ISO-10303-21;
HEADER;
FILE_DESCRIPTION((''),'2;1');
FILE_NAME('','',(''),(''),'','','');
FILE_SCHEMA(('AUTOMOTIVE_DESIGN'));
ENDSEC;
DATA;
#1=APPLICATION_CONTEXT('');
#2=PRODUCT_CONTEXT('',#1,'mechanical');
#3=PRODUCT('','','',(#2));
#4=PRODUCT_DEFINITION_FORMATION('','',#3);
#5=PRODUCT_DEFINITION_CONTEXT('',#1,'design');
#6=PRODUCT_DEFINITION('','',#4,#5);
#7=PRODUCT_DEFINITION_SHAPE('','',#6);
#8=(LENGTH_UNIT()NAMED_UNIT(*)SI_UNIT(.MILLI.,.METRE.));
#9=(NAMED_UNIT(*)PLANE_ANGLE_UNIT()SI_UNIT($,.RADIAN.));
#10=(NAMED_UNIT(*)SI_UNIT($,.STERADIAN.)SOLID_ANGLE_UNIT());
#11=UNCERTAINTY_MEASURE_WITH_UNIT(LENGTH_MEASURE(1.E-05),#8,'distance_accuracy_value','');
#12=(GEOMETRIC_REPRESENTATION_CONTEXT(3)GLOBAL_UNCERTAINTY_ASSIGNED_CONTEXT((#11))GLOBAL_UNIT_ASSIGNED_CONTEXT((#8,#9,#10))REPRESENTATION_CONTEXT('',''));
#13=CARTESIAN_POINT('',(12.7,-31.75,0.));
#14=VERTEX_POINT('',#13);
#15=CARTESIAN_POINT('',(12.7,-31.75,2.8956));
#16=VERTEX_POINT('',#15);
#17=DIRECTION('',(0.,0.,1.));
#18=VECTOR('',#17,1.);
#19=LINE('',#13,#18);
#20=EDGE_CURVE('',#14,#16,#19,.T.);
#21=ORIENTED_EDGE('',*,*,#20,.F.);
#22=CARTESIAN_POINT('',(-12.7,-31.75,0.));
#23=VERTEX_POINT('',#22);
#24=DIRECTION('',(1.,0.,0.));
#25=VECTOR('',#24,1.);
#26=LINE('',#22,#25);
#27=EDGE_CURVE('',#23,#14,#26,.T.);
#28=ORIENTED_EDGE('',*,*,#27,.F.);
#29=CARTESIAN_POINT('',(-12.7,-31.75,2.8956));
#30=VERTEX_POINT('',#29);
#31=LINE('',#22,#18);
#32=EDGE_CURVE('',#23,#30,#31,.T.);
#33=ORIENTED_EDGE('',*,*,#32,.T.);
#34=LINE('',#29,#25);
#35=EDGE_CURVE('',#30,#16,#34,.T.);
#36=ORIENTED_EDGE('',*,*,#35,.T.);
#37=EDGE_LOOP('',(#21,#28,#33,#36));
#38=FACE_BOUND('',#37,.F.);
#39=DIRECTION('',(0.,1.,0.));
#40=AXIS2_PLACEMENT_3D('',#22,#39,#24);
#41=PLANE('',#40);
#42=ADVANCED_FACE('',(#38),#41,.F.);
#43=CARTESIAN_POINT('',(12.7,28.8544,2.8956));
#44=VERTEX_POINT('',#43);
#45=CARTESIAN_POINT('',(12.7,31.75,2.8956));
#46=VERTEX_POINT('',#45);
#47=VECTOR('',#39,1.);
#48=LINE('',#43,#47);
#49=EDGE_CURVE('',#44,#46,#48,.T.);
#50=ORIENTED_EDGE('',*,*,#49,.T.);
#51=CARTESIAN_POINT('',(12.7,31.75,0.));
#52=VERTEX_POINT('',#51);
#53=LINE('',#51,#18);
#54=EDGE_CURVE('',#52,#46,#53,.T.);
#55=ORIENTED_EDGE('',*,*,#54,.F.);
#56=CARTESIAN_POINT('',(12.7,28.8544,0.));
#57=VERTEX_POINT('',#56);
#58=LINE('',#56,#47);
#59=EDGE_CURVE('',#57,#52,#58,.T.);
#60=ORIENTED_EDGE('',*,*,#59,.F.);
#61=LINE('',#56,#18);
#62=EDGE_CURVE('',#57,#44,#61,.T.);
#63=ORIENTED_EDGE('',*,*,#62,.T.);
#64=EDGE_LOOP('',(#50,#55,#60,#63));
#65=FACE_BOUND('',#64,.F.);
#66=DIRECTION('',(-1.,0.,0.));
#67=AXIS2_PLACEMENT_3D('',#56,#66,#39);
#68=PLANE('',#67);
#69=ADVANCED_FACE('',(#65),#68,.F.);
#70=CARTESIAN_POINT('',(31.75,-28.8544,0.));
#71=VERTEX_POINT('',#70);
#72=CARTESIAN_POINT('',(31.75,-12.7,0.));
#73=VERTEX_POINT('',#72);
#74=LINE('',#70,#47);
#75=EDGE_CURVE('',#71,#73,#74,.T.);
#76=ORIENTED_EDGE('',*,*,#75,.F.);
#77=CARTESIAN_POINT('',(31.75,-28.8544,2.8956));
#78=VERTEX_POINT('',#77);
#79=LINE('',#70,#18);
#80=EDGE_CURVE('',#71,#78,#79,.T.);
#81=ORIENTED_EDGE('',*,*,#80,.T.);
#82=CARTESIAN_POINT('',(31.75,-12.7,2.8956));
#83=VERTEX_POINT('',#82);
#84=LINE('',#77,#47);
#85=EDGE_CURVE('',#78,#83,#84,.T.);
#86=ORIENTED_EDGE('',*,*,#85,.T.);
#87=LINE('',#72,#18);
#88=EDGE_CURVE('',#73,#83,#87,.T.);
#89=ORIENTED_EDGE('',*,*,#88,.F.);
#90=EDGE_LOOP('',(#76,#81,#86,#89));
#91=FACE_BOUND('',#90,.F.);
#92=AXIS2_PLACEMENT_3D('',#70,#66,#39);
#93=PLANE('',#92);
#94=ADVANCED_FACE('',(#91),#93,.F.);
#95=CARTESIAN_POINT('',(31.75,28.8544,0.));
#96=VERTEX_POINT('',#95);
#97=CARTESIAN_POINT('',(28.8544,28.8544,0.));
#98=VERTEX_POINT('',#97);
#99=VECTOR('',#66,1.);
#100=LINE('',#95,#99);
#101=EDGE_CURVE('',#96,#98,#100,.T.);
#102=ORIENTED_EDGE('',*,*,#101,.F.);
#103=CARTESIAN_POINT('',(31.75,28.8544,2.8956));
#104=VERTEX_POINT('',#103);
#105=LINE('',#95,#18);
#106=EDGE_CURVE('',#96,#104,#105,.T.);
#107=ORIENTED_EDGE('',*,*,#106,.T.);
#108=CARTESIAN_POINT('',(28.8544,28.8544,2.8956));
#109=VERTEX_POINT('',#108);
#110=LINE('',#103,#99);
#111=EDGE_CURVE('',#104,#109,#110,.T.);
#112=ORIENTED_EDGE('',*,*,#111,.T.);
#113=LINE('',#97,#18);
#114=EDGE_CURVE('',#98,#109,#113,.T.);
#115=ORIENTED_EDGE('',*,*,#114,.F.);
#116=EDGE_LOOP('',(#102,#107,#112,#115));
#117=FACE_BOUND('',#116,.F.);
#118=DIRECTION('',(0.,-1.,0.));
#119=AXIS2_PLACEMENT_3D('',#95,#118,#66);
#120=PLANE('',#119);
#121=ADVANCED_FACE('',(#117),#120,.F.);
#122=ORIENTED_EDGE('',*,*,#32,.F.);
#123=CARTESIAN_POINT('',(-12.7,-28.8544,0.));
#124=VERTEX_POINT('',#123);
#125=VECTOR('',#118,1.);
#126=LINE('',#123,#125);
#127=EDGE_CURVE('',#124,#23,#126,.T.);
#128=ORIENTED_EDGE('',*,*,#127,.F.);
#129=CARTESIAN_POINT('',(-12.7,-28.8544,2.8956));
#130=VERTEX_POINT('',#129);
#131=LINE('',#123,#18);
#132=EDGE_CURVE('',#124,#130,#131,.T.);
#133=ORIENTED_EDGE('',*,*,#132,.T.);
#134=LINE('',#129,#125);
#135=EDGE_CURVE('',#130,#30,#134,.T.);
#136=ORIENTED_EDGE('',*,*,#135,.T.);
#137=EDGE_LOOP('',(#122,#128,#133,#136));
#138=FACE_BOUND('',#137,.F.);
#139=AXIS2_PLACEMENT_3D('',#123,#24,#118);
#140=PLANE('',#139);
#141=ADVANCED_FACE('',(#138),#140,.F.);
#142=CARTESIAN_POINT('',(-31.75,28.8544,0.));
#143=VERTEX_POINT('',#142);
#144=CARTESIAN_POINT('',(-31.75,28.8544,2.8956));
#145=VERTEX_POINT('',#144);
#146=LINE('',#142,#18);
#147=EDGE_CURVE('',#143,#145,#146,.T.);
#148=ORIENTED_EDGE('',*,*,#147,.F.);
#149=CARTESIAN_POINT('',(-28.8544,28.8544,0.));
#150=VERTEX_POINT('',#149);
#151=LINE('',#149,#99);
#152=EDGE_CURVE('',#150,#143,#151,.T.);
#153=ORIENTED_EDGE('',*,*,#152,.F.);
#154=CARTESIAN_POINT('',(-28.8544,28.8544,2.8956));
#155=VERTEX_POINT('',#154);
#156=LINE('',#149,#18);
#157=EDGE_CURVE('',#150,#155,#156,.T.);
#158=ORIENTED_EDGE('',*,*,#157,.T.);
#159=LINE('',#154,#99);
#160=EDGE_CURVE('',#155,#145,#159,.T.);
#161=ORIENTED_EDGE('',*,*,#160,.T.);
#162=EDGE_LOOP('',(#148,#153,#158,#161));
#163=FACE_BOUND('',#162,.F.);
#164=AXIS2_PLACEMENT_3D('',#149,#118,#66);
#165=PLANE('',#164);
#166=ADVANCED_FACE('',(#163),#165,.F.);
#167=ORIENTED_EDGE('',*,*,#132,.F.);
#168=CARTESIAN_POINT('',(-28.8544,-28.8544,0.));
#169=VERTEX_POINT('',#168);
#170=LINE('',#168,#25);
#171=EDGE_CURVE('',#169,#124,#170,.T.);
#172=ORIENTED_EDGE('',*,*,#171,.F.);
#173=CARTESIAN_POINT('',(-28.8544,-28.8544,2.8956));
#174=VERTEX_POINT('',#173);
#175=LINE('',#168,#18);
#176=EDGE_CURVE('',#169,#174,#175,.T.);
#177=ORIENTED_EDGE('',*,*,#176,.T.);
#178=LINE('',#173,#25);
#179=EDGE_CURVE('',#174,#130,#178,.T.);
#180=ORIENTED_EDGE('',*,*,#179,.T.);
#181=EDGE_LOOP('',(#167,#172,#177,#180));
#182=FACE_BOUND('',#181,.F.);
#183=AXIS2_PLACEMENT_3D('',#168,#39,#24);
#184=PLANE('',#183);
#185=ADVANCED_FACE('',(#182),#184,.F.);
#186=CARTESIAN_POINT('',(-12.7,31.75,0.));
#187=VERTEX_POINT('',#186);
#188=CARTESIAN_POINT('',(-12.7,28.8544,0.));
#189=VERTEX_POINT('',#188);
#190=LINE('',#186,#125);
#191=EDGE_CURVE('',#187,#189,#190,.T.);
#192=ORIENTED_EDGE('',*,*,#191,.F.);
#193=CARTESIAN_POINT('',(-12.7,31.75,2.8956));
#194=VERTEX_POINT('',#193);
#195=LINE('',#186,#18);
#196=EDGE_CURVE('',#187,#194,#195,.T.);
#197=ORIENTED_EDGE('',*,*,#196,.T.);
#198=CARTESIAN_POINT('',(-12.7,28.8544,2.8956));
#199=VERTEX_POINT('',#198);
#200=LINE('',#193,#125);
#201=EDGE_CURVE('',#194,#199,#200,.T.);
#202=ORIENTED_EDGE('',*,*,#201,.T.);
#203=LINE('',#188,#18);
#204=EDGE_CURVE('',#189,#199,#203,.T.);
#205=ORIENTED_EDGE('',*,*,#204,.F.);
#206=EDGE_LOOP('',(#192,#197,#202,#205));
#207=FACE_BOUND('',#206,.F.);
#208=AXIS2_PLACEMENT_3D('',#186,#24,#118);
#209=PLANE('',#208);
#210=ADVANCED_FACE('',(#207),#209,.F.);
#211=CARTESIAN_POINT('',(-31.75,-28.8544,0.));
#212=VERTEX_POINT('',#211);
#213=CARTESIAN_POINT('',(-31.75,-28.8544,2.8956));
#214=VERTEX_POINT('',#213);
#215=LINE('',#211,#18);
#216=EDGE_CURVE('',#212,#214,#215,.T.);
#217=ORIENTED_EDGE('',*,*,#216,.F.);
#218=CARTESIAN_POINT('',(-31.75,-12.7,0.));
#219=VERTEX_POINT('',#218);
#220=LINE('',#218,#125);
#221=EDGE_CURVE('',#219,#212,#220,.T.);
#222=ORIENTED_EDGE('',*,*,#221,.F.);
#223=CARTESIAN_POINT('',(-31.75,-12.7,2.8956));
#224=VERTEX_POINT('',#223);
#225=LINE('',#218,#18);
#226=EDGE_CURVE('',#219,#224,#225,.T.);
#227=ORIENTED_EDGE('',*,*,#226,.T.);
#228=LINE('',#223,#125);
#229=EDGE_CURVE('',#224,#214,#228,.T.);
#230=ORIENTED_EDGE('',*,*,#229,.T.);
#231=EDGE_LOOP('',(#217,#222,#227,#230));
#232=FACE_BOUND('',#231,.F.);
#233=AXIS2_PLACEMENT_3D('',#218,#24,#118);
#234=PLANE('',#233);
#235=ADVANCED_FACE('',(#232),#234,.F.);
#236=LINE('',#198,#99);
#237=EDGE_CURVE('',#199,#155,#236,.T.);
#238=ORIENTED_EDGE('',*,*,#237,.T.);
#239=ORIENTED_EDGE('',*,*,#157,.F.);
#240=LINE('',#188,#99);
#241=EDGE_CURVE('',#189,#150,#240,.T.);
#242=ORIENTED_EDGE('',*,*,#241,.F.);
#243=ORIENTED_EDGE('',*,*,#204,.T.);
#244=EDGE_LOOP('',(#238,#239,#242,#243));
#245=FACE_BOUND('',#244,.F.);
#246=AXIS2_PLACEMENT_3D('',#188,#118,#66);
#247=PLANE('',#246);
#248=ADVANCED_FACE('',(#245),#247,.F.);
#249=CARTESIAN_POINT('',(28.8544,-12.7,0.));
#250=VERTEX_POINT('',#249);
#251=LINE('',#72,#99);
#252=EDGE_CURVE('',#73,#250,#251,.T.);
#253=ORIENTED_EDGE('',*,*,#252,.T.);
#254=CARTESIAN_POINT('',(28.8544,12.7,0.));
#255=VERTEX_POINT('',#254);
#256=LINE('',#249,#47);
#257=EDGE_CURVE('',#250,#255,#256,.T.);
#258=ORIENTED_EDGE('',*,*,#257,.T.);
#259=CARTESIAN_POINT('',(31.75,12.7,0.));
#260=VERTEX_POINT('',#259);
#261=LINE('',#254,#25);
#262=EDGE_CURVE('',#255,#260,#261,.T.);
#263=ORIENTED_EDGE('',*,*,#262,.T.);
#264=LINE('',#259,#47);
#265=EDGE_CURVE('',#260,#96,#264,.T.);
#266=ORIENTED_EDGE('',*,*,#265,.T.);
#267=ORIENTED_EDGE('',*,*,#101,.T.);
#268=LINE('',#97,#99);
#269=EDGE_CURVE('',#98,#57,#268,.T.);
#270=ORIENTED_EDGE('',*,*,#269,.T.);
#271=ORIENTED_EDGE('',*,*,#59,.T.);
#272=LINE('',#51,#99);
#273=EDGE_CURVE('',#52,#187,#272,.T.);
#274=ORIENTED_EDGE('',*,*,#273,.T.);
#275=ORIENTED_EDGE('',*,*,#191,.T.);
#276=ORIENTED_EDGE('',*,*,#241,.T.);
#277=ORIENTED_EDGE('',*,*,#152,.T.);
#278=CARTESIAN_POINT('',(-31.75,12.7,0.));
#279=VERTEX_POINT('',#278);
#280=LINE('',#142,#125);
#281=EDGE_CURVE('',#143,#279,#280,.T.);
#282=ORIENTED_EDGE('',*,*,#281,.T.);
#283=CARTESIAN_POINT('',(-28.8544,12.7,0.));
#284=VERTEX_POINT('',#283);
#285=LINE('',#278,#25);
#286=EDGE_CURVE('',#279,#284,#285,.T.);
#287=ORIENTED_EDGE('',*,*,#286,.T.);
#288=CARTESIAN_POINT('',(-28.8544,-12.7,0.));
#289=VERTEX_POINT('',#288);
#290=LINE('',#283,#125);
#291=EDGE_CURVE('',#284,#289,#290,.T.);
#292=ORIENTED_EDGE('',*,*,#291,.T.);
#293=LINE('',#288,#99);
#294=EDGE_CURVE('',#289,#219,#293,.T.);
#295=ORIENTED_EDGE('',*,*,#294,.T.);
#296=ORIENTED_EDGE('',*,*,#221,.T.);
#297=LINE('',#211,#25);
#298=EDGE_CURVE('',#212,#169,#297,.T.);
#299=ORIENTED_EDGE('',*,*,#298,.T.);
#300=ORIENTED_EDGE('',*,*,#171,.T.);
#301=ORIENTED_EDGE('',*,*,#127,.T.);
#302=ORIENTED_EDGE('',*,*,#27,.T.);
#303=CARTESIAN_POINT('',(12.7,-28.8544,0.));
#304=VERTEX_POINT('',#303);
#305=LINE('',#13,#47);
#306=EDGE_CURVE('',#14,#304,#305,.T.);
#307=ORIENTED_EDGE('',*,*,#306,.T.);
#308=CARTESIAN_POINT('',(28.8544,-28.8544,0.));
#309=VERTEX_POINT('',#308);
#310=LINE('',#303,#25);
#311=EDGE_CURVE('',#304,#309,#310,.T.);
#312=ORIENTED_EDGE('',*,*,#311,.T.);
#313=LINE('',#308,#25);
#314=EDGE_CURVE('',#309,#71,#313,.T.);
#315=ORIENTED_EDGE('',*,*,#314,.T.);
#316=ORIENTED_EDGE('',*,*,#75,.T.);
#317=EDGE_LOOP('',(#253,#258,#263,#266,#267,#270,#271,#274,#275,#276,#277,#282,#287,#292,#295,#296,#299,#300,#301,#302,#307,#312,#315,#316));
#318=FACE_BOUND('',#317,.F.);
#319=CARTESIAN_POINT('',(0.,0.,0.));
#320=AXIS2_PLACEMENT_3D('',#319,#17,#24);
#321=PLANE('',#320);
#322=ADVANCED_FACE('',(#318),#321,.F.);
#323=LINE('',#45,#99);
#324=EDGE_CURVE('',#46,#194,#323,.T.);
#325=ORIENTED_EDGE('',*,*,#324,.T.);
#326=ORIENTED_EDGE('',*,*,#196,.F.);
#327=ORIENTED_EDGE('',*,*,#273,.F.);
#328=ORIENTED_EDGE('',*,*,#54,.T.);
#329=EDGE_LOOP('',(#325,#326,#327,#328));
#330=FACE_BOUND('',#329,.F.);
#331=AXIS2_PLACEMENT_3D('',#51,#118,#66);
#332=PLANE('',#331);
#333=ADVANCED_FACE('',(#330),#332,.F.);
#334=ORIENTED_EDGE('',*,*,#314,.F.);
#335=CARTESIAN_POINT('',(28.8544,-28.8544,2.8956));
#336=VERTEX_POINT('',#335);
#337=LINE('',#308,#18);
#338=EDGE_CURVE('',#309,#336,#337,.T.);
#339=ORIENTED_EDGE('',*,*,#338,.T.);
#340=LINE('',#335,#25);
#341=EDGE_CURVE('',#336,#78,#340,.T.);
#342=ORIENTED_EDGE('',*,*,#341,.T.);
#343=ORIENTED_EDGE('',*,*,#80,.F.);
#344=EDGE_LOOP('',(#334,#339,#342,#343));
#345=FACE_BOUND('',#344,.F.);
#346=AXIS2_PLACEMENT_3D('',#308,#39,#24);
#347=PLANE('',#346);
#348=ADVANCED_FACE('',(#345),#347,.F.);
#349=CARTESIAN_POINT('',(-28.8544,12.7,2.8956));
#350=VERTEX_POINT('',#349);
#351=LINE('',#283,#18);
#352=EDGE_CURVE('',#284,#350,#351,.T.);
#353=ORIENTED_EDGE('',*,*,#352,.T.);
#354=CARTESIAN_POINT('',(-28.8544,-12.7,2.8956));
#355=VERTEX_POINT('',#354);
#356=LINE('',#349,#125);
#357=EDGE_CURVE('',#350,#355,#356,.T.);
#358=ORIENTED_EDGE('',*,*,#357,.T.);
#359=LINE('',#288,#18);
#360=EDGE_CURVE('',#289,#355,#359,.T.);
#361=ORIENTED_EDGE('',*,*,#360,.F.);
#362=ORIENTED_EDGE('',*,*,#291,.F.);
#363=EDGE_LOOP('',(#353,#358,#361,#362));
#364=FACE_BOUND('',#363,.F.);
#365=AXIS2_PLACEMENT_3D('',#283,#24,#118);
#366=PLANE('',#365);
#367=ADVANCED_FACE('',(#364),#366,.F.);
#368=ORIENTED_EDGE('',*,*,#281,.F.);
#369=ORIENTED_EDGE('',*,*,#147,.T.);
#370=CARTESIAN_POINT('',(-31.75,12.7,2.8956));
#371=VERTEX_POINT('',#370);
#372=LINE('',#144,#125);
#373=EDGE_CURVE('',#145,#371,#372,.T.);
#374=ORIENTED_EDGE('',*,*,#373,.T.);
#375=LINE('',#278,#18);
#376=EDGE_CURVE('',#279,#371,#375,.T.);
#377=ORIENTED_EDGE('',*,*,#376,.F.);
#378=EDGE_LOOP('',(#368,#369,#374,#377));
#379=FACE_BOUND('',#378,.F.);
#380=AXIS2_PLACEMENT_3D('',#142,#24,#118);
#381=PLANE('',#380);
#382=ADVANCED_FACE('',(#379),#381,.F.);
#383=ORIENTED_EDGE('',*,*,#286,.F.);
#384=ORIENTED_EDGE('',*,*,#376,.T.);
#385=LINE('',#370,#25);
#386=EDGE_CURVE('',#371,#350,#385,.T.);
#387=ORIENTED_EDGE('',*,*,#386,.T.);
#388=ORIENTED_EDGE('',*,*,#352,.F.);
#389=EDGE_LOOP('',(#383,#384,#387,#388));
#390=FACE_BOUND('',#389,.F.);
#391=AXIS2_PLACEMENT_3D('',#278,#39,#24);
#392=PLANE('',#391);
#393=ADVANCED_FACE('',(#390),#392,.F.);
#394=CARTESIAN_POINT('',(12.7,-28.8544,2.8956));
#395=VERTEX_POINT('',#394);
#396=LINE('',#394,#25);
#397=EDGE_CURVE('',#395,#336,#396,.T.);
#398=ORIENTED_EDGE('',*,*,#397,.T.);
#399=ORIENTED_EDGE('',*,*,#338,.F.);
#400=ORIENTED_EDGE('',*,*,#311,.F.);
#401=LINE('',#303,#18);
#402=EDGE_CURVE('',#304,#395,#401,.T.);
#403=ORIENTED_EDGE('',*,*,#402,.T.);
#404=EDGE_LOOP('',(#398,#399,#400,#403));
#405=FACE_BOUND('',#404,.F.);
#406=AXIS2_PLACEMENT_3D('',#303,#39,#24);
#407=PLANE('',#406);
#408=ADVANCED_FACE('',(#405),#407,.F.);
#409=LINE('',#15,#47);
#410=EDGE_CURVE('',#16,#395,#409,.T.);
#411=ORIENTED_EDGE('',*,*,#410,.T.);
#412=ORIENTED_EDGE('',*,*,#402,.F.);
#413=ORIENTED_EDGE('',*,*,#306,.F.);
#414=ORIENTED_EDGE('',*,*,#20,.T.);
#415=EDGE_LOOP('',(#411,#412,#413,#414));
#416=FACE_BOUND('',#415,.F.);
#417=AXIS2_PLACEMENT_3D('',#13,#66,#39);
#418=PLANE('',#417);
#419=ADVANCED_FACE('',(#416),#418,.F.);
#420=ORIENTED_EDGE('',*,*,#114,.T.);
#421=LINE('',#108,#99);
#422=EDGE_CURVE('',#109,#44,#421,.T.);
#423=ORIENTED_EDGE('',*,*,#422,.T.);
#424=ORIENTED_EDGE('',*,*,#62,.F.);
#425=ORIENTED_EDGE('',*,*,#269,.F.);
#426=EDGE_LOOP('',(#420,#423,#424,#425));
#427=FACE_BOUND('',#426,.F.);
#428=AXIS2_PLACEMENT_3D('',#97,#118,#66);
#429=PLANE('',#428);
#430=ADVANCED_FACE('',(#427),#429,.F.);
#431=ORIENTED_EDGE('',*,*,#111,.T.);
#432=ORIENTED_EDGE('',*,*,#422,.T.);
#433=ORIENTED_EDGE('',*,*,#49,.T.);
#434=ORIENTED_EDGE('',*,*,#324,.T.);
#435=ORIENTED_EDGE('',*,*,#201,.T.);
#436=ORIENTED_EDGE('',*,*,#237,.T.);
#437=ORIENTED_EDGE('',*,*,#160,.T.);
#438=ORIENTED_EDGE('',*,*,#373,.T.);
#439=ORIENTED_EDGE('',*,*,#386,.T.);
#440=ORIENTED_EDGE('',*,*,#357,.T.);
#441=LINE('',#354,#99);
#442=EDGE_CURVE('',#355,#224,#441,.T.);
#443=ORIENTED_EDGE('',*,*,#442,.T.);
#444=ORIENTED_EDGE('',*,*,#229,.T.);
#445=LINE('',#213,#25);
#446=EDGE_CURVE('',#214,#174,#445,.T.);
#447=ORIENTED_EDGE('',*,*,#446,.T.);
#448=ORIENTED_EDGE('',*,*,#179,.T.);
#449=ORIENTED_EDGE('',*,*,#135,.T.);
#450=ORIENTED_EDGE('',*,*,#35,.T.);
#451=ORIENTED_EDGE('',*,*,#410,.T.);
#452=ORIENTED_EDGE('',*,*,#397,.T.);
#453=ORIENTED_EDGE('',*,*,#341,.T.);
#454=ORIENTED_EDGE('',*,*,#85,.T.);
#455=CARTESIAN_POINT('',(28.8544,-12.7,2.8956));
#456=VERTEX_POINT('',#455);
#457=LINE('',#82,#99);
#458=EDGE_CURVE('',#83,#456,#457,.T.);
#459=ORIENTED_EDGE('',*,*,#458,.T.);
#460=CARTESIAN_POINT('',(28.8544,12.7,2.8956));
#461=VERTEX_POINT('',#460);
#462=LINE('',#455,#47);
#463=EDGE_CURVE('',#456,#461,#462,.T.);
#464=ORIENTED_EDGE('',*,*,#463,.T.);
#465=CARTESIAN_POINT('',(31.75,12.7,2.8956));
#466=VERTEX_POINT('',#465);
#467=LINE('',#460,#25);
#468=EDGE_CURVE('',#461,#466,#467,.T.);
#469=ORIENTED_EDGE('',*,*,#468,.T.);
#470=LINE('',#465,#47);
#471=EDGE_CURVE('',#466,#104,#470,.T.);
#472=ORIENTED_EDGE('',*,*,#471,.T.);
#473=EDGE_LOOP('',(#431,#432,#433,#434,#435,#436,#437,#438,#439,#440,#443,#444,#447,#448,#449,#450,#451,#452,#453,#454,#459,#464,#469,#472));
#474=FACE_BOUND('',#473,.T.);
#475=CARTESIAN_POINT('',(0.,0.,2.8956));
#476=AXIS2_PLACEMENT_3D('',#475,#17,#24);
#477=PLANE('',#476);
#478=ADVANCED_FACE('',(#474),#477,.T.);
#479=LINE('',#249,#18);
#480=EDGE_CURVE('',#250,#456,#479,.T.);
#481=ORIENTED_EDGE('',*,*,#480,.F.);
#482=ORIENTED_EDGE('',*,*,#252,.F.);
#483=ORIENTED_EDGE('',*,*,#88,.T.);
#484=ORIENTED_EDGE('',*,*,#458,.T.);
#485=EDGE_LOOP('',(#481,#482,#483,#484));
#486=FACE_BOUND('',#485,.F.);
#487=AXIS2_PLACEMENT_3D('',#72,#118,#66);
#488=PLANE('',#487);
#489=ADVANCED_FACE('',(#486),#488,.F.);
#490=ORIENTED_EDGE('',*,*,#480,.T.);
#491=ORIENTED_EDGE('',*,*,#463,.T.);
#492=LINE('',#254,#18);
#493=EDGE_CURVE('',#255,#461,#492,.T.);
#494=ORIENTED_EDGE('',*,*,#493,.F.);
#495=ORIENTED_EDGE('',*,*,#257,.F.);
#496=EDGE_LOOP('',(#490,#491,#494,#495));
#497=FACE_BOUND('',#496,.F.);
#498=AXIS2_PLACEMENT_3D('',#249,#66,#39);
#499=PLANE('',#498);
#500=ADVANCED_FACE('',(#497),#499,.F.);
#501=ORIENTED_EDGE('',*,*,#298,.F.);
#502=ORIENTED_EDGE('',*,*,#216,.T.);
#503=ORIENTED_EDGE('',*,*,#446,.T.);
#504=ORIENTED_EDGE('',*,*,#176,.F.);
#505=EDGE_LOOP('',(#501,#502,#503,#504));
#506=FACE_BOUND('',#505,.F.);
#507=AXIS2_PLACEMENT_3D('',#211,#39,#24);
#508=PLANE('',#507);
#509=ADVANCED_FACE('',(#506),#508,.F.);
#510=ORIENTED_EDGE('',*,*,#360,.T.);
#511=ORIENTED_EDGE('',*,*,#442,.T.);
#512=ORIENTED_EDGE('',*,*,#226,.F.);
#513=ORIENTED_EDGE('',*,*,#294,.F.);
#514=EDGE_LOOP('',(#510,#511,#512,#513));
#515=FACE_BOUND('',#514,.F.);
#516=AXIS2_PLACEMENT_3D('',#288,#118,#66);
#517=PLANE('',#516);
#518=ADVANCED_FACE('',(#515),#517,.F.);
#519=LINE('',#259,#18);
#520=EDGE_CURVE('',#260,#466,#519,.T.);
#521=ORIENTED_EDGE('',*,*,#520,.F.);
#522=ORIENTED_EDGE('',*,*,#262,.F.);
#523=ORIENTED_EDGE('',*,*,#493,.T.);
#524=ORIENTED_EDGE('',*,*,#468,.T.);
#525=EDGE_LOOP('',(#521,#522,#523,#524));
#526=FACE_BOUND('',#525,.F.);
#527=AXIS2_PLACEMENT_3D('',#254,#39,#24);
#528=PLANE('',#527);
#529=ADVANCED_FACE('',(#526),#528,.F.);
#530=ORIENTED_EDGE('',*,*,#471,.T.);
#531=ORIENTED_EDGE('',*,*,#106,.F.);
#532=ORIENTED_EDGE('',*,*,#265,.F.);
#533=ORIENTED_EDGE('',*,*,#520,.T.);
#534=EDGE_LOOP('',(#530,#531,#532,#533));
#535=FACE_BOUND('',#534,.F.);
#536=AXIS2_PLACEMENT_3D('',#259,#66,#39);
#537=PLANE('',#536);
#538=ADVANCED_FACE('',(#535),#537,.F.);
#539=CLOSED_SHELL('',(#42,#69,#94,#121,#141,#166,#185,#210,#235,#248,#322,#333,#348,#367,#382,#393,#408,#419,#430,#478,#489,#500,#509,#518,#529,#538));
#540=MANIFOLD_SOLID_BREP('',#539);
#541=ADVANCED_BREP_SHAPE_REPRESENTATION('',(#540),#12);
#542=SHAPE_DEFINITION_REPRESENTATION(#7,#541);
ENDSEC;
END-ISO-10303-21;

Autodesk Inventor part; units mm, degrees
ref_plane "YZ Plane" through (0, 0, 0) normal (1, 0, 0) x (0, 1, 0)
ref_plane "XZ Plane" through (0, 0, 0) normal (0, 1, 0) x (-1, 0, 0)
ref_plane "XY Plane" through (0, 0, 0) normal (0, 0, 1) x (1, 0, 0)
sketch "Sketch1" plane through (0, 0, 0) normal (0, 0, 1) x (1, 0, 0)
  line L0 (-12.7, 28.8544) -> (-28.8544, 28.8544)
  line L1 (-28.8544, 28.8544) -> (-31.75, 28.8544)
  line L2 (-31.75, 28.8544) -> (-31.75, 12.7)
  line L3 (-31.75, 12.7) -> (-28.8544, 12.7)
  line L4 (-28.8544, 12.7) -> (-28.8544, -12.7)
  line L5 (-28.8544, -12.7) -> (-31.75, -12.7)
  line L6 (-31.75, -12.7) -> (-31.75, -28.8544)
  line L7 (-31.75, -28.8544) -> (-28.8544, -28.8544)
  line L8 (-28.8544, -28.8544) -> (-12.7, -28.8544)
  line L9 (-12.7, -28.8544) -> (-12.7, -31.75)
  line L10 (-12.7, -31.75) -> (12.7, -31.75)
  line L11 (12.7, -31.75) -> (12.7, -28.8544)
  line L12 (12.7, -28.8544) -> (28.8544, -28.8544)
  line L13 (28.8544, -28.8544) -> (31.75, -28.8544)
  line L14 (31.75, -28.8544) -> (31.75, -12.7)
  line L15 (31.75, -12.7) -> (28.8544, -12.7)
  line L16 (28.8544, -12.7) -> (28.8544, 12.7)
  line L17 (28.8544, 12.7) -> (31.75, 12.7)
  line L18 (31.75, 12.7) -> (31.75, 28.8544)
  line L19 (31.75, 28.8544) -> (28.8544, 28.8544)
  line L20 (28.8544, 28.8544) -> (12.7, 28.8544)
  line L21 (12.7, 28.8544) -> (12.7, 31.75)
  line L22 (12.7, 31.75) -> (-12.7, 31.75)
  line L23 (-12.7, 31.75) -> (-12.7, 28.8544)
  point P0 (0, 0)
extrude "Extrusion1" add sketch "Sketch1" along normal blind 2.8956
properties part number "inside_box_left_right" material "Polycarbonate, Clear"
